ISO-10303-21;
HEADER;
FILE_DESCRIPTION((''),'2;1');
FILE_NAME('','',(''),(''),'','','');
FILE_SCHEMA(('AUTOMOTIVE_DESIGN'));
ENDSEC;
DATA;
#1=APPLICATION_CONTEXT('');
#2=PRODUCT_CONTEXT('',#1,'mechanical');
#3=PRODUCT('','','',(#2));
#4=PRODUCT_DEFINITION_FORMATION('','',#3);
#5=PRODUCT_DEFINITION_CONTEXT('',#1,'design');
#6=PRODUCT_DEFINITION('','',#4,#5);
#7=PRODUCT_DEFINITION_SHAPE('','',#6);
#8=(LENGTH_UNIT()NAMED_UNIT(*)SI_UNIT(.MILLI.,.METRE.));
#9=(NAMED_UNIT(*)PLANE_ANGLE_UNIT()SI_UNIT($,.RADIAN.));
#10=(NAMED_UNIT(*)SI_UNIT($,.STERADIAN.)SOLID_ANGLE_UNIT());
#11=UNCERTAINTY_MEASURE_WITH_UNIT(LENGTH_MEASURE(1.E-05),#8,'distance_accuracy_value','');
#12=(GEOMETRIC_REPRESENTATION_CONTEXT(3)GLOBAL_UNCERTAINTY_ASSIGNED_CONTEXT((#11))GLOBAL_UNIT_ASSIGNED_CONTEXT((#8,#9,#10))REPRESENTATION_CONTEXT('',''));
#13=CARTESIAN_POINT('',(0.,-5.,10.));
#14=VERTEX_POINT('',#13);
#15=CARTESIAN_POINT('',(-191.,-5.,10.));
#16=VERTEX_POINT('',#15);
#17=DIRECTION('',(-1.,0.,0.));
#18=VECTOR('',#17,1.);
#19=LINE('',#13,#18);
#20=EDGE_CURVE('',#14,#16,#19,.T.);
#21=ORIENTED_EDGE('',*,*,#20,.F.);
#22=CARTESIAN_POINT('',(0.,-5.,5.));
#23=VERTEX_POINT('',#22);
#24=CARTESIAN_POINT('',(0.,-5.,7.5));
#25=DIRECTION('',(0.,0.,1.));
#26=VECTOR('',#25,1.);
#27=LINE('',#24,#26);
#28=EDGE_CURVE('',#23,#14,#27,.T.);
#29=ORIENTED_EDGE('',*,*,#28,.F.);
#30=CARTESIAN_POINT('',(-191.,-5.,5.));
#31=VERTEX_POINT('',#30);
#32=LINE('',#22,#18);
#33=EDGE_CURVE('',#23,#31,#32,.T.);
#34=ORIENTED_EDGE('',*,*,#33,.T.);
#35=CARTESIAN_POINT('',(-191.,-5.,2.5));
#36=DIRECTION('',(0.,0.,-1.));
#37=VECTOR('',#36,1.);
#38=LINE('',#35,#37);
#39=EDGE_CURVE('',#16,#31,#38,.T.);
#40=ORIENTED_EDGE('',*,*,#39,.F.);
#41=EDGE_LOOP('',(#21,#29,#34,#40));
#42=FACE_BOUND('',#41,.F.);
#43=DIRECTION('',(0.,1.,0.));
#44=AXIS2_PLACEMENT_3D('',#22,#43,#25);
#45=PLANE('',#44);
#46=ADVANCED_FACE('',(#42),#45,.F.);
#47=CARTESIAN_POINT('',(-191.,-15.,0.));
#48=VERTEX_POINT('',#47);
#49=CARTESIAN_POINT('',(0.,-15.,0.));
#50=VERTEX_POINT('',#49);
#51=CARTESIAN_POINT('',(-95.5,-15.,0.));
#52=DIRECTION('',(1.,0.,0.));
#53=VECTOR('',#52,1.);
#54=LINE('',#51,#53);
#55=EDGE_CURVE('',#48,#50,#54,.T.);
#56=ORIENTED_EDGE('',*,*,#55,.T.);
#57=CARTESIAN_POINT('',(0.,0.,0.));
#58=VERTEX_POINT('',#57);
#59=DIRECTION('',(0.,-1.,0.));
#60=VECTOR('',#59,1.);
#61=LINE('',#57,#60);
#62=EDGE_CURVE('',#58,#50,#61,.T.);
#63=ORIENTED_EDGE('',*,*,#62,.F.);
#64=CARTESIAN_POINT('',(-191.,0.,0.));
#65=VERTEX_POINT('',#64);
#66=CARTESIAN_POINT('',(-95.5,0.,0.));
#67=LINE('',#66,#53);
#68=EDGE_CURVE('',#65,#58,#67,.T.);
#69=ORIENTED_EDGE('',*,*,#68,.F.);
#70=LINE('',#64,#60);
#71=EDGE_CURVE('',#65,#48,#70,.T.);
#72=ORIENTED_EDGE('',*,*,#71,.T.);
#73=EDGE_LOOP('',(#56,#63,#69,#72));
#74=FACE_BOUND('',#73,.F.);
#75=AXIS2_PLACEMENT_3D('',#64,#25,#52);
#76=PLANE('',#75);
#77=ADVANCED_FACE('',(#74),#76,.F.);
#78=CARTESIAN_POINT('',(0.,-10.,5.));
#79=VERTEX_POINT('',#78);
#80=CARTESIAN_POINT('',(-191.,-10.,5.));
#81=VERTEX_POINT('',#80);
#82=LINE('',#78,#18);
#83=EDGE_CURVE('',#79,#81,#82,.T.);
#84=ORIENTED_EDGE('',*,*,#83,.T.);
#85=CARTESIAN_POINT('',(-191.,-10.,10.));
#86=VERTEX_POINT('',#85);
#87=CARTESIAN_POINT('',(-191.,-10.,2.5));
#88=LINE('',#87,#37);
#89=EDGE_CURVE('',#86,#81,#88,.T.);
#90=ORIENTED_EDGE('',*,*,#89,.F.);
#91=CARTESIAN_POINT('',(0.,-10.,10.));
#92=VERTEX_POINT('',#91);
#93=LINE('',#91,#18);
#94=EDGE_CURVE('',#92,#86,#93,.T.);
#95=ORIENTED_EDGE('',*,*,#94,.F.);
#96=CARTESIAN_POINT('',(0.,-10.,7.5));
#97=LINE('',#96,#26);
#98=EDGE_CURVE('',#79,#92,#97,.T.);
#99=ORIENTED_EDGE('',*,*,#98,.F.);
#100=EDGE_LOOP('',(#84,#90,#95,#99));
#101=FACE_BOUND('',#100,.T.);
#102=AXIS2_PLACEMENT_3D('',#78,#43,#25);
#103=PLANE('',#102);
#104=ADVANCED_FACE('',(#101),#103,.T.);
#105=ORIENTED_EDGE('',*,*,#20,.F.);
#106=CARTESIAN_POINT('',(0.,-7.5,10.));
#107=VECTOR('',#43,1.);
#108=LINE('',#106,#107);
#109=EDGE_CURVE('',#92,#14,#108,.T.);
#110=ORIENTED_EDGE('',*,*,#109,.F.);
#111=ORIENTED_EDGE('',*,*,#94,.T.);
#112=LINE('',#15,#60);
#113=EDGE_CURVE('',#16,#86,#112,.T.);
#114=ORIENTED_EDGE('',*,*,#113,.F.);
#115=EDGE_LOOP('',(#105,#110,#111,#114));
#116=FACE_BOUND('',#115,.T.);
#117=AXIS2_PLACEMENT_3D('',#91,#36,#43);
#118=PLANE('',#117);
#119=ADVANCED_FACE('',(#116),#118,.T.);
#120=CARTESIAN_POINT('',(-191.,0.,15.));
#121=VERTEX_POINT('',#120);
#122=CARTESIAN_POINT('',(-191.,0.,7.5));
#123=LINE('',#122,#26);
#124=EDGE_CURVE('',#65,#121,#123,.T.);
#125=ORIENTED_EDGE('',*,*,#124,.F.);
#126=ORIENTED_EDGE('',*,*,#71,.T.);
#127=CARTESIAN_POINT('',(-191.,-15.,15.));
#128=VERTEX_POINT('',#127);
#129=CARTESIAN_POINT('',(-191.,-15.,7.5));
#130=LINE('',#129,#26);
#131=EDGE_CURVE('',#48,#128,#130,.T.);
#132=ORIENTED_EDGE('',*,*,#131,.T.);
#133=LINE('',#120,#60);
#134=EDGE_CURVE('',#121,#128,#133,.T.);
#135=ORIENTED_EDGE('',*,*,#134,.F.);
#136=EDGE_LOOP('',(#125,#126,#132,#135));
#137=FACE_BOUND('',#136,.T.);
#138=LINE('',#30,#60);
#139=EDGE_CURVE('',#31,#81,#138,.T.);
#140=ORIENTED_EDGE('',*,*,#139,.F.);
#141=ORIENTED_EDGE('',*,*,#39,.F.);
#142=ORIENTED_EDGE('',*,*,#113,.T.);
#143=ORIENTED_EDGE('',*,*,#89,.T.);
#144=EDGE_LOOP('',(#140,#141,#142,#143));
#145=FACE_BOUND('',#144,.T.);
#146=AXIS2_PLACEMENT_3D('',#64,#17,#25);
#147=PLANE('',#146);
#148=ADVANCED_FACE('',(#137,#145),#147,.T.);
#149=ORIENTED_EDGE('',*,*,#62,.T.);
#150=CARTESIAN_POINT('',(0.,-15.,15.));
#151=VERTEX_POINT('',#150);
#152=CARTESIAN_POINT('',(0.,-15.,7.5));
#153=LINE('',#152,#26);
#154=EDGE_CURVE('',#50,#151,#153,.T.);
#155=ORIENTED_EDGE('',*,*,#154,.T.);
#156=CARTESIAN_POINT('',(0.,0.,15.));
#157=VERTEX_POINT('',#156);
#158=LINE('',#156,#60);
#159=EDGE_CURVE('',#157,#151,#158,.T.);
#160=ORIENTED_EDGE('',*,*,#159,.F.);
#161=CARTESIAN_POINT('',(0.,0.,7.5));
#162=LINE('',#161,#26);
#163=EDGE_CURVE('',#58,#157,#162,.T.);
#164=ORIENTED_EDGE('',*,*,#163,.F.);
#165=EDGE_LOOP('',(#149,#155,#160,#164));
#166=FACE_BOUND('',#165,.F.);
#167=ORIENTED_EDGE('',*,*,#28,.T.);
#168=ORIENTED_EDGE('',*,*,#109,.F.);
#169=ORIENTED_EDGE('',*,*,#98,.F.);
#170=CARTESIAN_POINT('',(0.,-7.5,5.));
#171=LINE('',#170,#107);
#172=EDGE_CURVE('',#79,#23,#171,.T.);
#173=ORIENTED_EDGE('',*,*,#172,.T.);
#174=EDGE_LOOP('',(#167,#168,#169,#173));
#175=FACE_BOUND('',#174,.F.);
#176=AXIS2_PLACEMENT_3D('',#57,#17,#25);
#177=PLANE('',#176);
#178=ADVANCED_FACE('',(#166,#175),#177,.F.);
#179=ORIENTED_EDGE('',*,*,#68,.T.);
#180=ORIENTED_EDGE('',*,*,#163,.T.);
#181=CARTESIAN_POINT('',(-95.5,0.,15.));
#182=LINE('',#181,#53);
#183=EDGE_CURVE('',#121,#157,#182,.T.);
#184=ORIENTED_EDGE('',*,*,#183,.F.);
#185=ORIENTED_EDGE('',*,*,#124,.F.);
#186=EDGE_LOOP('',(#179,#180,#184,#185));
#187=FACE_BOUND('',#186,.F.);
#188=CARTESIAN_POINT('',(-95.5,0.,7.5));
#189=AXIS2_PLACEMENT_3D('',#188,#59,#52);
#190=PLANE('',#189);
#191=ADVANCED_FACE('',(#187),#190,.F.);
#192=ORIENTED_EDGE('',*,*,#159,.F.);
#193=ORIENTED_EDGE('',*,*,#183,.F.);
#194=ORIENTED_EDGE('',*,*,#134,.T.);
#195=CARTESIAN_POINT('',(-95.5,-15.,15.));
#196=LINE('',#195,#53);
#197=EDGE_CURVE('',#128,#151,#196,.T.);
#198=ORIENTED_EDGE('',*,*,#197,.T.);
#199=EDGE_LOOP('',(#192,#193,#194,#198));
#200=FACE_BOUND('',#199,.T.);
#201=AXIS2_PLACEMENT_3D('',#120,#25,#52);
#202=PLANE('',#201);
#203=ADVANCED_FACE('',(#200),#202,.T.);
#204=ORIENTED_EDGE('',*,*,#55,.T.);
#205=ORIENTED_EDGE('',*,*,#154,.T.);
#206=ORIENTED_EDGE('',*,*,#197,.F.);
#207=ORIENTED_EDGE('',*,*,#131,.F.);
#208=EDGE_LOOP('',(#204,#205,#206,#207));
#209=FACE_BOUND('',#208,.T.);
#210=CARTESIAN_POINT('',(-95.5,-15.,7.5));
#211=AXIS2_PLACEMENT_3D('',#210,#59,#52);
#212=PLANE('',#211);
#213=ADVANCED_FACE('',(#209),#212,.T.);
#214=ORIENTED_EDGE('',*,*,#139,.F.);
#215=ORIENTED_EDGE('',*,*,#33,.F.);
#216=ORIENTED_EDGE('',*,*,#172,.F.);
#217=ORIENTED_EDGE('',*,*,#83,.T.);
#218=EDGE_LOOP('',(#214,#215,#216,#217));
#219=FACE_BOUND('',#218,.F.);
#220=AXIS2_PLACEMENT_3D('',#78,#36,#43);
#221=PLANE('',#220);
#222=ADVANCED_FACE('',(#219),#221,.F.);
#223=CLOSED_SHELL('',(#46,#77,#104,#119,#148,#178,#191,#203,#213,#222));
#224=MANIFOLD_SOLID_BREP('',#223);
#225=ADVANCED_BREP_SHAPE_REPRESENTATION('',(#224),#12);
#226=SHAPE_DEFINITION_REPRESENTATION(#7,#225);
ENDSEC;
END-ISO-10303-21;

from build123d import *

# Parameters (mm, degrees)
F0_W     = 191
F0_H     = 15
F1_DEPTH = 15
F2_W     = 5
F2_H     = 5
F3_DEPTH = 200


with BuildPart() as f1:
    # F0 (on Front) → F1 (new body)
    with BuildSketch(Plane.XZ):
        with Locations((-95.5, 7.5)):
            Rectangle(F0_W, F0_H)
    extrude(amount=F1_DEPTH)

    # F2 (on face) → F3 (cut)
    with BuildSketch(Plane.YZ):
        with Locations((-7.5, 7.5)):
            Rectangle(F2_W, F2_H)
    extrude(amount=-F3_DEPTH, mode=Mode.SUBTRACT)


solid = f1.part
